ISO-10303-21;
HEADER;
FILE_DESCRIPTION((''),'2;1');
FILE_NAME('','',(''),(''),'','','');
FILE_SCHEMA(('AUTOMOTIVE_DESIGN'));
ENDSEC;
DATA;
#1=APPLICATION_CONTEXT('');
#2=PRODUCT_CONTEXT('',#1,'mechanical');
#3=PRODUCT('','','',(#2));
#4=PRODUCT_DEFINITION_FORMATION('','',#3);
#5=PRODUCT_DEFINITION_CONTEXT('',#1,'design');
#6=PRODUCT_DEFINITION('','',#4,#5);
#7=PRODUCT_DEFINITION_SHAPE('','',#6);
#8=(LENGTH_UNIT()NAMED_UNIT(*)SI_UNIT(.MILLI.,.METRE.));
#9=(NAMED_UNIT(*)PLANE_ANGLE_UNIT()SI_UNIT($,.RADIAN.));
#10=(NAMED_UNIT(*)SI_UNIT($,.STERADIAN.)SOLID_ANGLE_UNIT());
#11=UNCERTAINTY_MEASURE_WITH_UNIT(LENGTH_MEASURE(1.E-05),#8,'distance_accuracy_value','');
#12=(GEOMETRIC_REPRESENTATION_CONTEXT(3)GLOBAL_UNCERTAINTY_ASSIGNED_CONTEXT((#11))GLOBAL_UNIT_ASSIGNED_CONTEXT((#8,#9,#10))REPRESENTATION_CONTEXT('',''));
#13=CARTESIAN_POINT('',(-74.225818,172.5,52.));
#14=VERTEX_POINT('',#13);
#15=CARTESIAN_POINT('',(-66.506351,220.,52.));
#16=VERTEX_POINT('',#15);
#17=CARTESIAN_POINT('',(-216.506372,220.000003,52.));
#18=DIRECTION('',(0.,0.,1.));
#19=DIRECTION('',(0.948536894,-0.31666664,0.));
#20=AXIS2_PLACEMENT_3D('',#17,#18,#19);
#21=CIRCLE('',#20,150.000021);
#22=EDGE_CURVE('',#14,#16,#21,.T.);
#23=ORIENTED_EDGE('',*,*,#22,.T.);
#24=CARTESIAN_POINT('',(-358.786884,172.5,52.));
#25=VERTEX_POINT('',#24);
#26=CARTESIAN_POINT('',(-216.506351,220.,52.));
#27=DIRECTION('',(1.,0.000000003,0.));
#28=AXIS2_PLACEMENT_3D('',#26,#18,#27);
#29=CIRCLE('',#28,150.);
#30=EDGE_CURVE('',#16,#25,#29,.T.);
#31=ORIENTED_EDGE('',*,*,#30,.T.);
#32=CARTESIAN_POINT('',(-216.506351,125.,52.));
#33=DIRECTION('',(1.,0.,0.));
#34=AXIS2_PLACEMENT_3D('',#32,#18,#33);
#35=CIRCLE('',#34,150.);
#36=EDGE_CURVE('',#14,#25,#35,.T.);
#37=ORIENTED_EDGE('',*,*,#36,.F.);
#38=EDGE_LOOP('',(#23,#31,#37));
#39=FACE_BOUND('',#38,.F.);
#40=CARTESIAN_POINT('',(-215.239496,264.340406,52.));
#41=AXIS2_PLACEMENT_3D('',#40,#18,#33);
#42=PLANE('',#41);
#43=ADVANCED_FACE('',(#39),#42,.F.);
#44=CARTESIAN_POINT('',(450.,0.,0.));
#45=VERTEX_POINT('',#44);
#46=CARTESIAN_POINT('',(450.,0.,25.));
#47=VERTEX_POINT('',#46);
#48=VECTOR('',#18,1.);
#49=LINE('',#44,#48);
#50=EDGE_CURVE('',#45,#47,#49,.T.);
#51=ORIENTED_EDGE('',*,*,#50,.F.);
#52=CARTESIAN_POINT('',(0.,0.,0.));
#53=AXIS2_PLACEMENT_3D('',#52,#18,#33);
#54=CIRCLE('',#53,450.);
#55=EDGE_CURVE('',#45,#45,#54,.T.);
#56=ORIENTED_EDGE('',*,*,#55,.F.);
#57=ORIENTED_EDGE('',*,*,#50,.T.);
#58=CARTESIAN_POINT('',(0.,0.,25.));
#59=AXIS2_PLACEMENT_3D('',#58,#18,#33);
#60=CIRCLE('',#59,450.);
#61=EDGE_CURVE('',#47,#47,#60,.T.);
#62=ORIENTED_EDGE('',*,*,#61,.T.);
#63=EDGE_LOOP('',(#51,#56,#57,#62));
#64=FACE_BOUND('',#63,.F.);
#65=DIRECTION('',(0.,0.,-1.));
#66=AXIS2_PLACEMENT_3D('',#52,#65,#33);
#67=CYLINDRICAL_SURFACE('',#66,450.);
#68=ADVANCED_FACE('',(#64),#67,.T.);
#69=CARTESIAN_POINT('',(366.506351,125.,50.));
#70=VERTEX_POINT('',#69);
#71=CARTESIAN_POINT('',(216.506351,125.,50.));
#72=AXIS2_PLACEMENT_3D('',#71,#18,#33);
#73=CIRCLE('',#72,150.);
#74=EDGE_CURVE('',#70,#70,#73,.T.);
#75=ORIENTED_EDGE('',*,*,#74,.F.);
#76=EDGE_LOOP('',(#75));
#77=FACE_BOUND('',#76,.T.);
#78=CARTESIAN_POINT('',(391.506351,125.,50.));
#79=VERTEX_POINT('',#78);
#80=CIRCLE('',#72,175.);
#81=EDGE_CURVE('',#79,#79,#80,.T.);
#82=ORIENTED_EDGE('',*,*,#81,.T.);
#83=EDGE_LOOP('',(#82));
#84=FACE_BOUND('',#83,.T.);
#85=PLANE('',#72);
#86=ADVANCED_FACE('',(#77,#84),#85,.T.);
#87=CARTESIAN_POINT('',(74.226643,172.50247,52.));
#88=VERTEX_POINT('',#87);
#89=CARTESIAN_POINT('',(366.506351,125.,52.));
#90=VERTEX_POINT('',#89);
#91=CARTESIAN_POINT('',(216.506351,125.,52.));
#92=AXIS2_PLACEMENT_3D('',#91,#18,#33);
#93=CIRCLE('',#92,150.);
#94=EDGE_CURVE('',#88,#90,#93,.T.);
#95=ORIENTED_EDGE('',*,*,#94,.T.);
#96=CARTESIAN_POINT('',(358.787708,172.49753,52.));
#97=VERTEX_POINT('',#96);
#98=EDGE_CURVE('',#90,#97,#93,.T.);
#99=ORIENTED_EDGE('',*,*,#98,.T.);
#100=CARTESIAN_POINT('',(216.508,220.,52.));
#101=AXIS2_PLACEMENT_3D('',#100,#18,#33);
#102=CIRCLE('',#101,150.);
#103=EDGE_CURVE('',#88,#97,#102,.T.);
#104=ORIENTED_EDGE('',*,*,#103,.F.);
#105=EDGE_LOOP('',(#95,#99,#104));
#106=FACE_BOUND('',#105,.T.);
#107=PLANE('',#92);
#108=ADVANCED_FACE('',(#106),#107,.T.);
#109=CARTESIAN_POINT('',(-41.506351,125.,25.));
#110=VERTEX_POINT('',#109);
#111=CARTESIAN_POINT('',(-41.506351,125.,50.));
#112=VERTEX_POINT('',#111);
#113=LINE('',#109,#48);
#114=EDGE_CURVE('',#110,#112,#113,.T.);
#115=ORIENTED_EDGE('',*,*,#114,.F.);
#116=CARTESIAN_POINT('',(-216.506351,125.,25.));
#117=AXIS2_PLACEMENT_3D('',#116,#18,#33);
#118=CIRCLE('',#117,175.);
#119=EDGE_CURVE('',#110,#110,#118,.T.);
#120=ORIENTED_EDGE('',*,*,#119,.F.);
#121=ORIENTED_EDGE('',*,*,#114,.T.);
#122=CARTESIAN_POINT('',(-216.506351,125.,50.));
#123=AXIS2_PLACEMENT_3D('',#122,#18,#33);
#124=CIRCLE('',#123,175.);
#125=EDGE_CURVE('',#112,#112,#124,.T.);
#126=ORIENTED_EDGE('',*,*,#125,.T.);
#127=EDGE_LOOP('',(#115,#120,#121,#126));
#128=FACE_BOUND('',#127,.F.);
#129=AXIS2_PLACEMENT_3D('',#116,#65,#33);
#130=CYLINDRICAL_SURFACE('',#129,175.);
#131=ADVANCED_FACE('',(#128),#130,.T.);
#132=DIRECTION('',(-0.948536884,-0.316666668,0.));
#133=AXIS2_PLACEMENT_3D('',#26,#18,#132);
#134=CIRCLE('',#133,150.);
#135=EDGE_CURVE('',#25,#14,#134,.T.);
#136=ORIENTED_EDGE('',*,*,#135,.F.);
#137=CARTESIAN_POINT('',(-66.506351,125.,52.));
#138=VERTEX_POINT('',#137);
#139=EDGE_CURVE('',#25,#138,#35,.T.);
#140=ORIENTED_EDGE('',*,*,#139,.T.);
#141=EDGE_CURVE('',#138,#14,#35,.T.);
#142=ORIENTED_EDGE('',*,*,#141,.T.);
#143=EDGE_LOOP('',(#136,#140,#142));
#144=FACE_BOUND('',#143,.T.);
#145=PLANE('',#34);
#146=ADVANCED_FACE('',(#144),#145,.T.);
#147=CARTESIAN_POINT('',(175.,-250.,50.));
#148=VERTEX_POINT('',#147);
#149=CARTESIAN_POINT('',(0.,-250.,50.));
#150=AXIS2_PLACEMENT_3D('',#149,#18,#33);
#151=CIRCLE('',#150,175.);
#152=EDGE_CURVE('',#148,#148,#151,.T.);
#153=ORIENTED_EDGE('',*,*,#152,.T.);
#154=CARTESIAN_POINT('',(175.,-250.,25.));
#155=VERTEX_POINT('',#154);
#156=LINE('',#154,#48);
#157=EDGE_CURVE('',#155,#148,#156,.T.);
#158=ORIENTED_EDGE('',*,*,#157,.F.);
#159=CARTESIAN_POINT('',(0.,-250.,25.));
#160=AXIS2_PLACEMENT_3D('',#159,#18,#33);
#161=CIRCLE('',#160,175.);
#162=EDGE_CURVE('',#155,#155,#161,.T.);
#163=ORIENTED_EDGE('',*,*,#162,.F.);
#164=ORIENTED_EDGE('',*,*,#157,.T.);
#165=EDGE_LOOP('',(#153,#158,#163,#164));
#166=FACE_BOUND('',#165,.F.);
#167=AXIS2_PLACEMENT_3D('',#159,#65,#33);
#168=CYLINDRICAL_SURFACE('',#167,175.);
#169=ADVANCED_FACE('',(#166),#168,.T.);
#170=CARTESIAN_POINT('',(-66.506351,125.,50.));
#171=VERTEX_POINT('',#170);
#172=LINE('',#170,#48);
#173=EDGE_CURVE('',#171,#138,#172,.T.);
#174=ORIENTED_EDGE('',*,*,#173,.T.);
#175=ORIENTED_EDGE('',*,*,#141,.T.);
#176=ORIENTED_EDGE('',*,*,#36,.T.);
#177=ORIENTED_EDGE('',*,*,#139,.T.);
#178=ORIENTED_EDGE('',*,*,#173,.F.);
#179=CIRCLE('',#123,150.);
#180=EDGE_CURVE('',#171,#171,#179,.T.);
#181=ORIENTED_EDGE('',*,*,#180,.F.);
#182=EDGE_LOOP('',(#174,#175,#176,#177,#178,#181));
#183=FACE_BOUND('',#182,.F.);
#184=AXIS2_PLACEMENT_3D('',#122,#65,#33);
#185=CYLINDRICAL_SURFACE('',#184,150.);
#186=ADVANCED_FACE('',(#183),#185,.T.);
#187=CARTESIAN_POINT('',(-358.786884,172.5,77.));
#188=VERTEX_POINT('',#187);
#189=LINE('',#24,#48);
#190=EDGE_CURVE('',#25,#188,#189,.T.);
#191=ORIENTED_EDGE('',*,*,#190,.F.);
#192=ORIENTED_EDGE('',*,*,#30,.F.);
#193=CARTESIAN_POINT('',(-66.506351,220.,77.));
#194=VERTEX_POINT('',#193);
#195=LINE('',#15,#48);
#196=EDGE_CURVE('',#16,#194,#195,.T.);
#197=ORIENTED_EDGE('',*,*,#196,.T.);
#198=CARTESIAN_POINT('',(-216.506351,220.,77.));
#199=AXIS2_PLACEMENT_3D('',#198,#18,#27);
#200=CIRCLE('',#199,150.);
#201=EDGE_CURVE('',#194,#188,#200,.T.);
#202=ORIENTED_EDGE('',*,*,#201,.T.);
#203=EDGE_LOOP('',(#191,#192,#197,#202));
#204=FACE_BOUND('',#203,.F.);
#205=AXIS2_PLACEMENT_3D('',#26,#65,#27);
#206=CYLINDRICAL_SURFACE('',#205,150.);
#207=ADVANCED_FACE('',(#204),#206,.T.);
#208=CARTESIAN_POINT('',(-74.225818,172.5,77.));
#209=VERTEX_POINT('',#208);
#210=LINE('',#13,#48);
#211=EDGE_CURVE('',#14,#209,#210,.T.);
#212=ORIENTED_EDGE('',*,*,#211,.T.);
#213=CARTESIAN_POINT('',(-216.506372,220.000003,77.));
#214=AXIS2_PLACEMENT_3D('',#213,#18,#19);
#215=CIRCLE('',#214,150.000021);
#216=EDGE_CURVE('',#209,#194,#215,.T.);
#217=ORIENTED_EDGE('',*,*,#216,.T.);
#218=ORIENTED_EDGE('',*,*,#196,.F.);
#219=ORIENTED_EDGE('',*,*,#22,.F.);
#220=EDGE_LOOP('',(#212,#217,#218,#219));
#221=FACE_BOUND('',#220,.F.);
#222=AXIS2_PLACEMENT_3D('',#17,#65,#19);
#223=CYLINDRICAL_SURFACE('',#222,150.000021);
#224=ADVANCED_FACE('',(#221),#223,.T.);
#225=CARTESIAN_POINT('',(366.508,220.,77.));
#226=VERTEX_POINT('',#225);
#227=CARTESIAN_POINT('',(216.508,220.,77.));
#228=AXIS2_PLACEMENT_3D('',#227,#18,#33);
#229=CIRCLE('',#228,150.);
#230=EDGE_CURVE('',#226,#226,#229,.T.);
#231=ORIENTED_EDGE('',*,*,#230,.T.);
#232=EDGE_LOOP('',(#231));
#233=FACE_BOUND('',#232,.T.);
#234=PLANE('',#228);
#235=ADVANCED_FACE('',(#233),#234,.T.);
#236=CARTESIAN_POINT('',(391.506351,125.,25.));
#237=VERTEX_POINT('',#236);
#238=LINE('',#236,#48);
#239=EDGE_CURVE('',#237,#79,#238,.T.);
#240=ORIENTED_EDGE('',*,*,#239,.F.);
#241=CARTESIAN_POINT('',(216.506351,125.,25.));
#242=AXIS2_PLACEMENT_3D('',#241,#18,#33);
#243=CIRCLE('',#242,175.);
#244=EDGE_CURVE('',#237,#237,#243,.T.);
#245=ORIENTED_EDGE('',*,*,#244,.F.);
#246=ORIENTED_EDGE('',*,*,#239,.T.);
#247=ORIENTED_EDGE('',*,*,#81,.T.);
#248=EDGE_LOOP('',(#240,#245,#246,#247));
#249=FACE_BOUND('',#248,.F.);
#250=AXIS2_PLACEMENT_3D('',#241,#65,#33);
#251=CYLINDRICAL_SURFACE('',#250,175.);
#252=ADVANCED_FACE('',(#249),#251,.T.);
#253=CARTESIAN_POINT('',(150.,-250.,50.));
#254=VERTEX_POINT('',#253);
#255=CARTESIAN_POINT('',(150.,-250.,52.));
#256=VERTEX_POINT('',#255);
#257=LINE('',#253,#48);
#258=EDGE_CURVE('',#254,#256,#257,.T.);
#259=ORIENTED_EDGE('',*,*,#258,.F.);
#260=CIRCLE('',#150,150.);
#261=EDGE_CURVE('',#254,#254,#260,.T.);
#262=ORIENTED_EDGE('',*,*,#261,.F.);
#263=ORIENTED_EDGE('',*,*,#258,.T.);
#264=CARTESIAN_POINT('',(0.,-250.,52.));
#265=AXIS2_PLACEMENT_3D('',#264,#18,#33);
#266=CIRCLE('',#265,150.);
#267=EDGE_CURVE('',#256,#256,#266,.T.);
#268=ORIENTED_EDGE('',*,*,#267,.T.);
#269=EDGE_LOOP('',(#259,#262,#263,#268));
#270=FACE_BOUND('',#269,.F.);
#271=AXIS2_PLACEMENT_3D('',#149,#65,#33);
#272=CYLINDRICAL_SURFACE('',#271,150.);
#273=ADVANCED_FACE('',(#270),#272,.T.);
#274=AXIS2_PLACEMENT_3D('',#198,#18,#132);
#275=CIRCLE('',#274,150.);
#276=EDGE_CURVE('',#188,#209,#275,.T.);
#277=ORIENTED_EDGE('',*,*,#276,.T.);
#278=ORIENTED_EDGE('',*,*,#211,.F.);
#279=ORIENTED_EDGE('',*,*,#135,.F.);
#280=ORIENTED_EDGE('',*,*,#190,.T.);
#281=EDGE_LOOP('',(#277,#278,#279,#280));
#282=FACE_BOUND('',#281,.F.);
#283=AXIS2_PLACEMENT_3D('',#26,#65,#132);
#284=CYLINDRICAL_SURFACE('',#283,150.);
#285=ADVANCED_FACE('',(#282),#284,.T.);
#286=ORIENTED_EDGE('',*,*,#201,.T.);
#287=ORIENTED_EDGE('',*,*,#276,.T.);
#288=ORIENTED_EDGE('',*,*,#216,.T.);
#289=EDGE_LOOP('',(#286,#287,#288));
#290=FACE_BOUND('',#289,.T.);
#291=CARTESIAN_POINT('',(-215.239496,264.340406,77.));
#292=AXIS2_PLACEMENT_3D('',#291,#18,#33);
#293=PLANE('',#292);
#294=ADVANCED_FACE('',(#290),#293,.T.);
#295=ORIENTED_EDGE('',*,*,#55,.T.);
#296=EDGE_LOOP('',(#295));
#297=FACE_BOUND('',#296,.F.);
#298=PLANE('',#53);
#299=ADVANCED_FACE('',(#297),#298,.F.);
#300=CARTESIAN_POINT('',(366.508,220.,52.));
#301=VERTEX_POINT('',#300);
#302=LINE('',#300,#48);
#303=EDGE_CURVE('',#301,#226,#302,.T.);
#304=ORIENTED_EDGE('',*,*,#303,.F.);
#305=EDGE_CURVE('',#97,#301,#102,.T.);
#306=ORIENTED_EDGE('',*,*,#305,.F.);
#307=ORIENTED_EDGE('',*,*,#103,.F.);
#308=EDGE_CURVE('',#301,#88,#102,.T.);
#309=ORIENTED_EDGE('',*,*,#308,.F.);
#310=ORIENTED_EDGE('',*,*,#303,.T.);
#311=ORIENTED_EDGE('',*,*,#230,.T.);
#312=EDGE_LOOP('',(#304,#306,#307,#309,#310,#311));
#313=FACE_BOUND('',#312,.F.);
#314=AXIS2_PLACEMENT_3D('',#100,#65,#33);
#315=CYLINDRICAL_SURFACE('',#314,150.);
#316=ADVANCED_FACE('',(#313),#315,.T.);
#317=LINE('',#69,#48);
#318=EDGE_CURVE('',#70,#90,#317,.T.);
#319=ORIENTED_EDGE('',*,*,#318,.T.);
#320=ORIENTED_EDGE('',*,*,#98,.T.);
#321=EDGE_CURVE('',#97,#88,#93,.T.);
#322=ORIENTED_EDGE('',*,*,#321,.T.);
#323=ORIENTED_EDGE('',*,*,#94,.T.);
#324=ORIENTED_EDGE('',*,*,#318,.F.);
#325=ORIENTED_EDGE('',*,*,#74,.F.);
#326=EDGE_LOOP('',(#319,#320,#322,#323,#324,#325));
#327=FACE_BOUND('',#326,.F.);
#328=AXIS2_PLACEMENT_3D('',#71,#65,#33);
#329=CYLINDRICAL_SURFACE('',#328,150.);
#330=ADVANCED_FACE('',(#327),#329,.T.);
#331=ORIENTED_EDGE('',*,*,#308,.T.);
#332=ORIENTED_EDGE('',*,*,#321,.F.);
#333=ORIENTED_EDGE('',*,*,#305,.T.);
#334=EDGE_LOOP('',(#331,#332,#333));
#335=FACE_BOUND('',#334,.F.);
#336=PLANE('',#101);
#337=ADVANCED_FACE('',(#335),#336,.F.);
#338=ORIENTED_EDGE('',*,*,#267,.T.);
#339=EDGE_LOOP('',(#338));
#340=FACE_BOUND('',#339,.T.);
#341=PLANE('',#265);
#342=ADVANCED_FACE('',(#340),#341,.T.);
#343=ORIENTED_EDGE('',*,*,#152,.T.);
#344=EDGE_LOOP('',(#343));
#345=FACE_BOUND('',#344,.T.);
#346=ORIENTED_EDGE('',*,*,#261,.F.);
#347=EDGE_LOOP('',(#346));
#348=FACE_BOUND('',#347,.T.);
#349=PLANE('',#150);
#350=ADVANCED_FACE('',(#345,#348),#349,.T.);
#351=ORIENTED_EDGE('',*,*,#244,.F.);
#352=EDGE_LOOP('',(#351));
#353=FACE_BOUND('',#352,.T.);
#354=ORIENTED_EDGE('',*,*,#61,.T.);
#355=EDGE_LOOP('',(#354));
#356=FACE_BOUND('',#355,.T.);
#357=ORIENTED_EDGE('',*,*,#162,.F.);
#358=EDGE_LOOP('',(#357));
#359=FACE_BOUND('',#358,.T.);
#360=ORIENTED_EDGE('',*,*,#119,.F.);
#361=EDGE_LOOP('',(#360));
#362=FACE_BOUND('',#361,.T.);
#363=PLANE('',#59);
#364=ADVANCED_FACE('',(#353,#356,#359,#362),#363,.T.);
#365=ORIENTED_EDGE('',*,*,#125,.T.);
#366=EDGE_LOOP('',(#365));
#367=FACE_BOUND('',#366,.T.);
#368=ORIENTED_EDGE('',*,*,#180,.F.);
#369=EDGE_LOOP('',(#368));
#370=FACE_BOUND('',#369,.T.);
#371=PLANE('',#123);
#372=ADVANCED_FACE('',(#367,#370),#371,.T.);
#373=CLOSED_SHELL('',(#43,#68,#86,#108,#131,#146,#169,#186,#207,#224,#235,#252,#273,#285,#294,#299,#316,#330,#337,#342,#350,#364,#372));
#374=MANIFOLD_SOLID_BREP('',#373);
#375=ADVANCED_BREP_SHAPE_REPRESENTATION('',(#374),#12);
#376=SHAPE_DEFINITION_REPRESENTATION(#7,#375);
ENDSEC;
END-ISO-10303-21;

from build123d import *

# Parameters (mm, degrees)
F0_R     = 450
F1_DEPTH = 25
F2_R     = 175
F3_DEPTH = 25
F4_R     = 150
F5_DEPTH = 2
F6_R     = 150
F7_DEPTH = 25


with BuildPart() as f1:
    # F0 (on Top) → F1 (new body)
    with BuildSketch(Plane.XY):
        Circle(F0_R)
    extrude(amount=F1_DEPTH)

    # F2 (on face) → F3 (join)
    with BuildSketch(Plane.XY.offset(25)):
        with Locations((0, -250)):
            Circle(F2_R)
        with Locations((-216.506351, 125)):
            Circle(F2_R)
        with Locations((216.506351, 125)):
            Circle(F2_R)
    extrude(amount=F3_DEPTH)

    # F4 (on face) → F5 (join)
    with BuildSketch(Plane.XY.offset(50)):
        with Locations((-216.506351, 125)):
            Circle(F4_R)
        with Locations((216.506351, 125)):
            Circle(F4_R)
        with Locations((0, -250)):
            Circle(F4_R)
    extrude(amount=F5_DEPTH)

    # F6 (on face) → F7 (join)
    with BuildSketch(Plane.XY.offset(52)):
        with BuildLine():
            ThreePointArc((-74.225818, 172.5), (-68.448795, 195.938411), (-66.506351, 220))
            ThreePointArc((-66.506351, 220), (-240.567939, 368.057556), (-358.786884, 172.5))
            ThreePointArc((-358.786884, 172.5), (-216.506351, 275), (-74.225818, 172.5))
        make_face()
        with BuildLine():
            ThreePointArc((-74.225818, 172.5), (-216.506351, 275), (-358.786884, 172.5))
            ThreePointArc((-358.786884, 172.5), (-216.506351, 70), (-74.225818, 172.5))
        make_face()
        with Locations((216.508, 220)):
            Circle(F6_R)
    extrude(amount=F7_DEPTH)


solid = f1.part
